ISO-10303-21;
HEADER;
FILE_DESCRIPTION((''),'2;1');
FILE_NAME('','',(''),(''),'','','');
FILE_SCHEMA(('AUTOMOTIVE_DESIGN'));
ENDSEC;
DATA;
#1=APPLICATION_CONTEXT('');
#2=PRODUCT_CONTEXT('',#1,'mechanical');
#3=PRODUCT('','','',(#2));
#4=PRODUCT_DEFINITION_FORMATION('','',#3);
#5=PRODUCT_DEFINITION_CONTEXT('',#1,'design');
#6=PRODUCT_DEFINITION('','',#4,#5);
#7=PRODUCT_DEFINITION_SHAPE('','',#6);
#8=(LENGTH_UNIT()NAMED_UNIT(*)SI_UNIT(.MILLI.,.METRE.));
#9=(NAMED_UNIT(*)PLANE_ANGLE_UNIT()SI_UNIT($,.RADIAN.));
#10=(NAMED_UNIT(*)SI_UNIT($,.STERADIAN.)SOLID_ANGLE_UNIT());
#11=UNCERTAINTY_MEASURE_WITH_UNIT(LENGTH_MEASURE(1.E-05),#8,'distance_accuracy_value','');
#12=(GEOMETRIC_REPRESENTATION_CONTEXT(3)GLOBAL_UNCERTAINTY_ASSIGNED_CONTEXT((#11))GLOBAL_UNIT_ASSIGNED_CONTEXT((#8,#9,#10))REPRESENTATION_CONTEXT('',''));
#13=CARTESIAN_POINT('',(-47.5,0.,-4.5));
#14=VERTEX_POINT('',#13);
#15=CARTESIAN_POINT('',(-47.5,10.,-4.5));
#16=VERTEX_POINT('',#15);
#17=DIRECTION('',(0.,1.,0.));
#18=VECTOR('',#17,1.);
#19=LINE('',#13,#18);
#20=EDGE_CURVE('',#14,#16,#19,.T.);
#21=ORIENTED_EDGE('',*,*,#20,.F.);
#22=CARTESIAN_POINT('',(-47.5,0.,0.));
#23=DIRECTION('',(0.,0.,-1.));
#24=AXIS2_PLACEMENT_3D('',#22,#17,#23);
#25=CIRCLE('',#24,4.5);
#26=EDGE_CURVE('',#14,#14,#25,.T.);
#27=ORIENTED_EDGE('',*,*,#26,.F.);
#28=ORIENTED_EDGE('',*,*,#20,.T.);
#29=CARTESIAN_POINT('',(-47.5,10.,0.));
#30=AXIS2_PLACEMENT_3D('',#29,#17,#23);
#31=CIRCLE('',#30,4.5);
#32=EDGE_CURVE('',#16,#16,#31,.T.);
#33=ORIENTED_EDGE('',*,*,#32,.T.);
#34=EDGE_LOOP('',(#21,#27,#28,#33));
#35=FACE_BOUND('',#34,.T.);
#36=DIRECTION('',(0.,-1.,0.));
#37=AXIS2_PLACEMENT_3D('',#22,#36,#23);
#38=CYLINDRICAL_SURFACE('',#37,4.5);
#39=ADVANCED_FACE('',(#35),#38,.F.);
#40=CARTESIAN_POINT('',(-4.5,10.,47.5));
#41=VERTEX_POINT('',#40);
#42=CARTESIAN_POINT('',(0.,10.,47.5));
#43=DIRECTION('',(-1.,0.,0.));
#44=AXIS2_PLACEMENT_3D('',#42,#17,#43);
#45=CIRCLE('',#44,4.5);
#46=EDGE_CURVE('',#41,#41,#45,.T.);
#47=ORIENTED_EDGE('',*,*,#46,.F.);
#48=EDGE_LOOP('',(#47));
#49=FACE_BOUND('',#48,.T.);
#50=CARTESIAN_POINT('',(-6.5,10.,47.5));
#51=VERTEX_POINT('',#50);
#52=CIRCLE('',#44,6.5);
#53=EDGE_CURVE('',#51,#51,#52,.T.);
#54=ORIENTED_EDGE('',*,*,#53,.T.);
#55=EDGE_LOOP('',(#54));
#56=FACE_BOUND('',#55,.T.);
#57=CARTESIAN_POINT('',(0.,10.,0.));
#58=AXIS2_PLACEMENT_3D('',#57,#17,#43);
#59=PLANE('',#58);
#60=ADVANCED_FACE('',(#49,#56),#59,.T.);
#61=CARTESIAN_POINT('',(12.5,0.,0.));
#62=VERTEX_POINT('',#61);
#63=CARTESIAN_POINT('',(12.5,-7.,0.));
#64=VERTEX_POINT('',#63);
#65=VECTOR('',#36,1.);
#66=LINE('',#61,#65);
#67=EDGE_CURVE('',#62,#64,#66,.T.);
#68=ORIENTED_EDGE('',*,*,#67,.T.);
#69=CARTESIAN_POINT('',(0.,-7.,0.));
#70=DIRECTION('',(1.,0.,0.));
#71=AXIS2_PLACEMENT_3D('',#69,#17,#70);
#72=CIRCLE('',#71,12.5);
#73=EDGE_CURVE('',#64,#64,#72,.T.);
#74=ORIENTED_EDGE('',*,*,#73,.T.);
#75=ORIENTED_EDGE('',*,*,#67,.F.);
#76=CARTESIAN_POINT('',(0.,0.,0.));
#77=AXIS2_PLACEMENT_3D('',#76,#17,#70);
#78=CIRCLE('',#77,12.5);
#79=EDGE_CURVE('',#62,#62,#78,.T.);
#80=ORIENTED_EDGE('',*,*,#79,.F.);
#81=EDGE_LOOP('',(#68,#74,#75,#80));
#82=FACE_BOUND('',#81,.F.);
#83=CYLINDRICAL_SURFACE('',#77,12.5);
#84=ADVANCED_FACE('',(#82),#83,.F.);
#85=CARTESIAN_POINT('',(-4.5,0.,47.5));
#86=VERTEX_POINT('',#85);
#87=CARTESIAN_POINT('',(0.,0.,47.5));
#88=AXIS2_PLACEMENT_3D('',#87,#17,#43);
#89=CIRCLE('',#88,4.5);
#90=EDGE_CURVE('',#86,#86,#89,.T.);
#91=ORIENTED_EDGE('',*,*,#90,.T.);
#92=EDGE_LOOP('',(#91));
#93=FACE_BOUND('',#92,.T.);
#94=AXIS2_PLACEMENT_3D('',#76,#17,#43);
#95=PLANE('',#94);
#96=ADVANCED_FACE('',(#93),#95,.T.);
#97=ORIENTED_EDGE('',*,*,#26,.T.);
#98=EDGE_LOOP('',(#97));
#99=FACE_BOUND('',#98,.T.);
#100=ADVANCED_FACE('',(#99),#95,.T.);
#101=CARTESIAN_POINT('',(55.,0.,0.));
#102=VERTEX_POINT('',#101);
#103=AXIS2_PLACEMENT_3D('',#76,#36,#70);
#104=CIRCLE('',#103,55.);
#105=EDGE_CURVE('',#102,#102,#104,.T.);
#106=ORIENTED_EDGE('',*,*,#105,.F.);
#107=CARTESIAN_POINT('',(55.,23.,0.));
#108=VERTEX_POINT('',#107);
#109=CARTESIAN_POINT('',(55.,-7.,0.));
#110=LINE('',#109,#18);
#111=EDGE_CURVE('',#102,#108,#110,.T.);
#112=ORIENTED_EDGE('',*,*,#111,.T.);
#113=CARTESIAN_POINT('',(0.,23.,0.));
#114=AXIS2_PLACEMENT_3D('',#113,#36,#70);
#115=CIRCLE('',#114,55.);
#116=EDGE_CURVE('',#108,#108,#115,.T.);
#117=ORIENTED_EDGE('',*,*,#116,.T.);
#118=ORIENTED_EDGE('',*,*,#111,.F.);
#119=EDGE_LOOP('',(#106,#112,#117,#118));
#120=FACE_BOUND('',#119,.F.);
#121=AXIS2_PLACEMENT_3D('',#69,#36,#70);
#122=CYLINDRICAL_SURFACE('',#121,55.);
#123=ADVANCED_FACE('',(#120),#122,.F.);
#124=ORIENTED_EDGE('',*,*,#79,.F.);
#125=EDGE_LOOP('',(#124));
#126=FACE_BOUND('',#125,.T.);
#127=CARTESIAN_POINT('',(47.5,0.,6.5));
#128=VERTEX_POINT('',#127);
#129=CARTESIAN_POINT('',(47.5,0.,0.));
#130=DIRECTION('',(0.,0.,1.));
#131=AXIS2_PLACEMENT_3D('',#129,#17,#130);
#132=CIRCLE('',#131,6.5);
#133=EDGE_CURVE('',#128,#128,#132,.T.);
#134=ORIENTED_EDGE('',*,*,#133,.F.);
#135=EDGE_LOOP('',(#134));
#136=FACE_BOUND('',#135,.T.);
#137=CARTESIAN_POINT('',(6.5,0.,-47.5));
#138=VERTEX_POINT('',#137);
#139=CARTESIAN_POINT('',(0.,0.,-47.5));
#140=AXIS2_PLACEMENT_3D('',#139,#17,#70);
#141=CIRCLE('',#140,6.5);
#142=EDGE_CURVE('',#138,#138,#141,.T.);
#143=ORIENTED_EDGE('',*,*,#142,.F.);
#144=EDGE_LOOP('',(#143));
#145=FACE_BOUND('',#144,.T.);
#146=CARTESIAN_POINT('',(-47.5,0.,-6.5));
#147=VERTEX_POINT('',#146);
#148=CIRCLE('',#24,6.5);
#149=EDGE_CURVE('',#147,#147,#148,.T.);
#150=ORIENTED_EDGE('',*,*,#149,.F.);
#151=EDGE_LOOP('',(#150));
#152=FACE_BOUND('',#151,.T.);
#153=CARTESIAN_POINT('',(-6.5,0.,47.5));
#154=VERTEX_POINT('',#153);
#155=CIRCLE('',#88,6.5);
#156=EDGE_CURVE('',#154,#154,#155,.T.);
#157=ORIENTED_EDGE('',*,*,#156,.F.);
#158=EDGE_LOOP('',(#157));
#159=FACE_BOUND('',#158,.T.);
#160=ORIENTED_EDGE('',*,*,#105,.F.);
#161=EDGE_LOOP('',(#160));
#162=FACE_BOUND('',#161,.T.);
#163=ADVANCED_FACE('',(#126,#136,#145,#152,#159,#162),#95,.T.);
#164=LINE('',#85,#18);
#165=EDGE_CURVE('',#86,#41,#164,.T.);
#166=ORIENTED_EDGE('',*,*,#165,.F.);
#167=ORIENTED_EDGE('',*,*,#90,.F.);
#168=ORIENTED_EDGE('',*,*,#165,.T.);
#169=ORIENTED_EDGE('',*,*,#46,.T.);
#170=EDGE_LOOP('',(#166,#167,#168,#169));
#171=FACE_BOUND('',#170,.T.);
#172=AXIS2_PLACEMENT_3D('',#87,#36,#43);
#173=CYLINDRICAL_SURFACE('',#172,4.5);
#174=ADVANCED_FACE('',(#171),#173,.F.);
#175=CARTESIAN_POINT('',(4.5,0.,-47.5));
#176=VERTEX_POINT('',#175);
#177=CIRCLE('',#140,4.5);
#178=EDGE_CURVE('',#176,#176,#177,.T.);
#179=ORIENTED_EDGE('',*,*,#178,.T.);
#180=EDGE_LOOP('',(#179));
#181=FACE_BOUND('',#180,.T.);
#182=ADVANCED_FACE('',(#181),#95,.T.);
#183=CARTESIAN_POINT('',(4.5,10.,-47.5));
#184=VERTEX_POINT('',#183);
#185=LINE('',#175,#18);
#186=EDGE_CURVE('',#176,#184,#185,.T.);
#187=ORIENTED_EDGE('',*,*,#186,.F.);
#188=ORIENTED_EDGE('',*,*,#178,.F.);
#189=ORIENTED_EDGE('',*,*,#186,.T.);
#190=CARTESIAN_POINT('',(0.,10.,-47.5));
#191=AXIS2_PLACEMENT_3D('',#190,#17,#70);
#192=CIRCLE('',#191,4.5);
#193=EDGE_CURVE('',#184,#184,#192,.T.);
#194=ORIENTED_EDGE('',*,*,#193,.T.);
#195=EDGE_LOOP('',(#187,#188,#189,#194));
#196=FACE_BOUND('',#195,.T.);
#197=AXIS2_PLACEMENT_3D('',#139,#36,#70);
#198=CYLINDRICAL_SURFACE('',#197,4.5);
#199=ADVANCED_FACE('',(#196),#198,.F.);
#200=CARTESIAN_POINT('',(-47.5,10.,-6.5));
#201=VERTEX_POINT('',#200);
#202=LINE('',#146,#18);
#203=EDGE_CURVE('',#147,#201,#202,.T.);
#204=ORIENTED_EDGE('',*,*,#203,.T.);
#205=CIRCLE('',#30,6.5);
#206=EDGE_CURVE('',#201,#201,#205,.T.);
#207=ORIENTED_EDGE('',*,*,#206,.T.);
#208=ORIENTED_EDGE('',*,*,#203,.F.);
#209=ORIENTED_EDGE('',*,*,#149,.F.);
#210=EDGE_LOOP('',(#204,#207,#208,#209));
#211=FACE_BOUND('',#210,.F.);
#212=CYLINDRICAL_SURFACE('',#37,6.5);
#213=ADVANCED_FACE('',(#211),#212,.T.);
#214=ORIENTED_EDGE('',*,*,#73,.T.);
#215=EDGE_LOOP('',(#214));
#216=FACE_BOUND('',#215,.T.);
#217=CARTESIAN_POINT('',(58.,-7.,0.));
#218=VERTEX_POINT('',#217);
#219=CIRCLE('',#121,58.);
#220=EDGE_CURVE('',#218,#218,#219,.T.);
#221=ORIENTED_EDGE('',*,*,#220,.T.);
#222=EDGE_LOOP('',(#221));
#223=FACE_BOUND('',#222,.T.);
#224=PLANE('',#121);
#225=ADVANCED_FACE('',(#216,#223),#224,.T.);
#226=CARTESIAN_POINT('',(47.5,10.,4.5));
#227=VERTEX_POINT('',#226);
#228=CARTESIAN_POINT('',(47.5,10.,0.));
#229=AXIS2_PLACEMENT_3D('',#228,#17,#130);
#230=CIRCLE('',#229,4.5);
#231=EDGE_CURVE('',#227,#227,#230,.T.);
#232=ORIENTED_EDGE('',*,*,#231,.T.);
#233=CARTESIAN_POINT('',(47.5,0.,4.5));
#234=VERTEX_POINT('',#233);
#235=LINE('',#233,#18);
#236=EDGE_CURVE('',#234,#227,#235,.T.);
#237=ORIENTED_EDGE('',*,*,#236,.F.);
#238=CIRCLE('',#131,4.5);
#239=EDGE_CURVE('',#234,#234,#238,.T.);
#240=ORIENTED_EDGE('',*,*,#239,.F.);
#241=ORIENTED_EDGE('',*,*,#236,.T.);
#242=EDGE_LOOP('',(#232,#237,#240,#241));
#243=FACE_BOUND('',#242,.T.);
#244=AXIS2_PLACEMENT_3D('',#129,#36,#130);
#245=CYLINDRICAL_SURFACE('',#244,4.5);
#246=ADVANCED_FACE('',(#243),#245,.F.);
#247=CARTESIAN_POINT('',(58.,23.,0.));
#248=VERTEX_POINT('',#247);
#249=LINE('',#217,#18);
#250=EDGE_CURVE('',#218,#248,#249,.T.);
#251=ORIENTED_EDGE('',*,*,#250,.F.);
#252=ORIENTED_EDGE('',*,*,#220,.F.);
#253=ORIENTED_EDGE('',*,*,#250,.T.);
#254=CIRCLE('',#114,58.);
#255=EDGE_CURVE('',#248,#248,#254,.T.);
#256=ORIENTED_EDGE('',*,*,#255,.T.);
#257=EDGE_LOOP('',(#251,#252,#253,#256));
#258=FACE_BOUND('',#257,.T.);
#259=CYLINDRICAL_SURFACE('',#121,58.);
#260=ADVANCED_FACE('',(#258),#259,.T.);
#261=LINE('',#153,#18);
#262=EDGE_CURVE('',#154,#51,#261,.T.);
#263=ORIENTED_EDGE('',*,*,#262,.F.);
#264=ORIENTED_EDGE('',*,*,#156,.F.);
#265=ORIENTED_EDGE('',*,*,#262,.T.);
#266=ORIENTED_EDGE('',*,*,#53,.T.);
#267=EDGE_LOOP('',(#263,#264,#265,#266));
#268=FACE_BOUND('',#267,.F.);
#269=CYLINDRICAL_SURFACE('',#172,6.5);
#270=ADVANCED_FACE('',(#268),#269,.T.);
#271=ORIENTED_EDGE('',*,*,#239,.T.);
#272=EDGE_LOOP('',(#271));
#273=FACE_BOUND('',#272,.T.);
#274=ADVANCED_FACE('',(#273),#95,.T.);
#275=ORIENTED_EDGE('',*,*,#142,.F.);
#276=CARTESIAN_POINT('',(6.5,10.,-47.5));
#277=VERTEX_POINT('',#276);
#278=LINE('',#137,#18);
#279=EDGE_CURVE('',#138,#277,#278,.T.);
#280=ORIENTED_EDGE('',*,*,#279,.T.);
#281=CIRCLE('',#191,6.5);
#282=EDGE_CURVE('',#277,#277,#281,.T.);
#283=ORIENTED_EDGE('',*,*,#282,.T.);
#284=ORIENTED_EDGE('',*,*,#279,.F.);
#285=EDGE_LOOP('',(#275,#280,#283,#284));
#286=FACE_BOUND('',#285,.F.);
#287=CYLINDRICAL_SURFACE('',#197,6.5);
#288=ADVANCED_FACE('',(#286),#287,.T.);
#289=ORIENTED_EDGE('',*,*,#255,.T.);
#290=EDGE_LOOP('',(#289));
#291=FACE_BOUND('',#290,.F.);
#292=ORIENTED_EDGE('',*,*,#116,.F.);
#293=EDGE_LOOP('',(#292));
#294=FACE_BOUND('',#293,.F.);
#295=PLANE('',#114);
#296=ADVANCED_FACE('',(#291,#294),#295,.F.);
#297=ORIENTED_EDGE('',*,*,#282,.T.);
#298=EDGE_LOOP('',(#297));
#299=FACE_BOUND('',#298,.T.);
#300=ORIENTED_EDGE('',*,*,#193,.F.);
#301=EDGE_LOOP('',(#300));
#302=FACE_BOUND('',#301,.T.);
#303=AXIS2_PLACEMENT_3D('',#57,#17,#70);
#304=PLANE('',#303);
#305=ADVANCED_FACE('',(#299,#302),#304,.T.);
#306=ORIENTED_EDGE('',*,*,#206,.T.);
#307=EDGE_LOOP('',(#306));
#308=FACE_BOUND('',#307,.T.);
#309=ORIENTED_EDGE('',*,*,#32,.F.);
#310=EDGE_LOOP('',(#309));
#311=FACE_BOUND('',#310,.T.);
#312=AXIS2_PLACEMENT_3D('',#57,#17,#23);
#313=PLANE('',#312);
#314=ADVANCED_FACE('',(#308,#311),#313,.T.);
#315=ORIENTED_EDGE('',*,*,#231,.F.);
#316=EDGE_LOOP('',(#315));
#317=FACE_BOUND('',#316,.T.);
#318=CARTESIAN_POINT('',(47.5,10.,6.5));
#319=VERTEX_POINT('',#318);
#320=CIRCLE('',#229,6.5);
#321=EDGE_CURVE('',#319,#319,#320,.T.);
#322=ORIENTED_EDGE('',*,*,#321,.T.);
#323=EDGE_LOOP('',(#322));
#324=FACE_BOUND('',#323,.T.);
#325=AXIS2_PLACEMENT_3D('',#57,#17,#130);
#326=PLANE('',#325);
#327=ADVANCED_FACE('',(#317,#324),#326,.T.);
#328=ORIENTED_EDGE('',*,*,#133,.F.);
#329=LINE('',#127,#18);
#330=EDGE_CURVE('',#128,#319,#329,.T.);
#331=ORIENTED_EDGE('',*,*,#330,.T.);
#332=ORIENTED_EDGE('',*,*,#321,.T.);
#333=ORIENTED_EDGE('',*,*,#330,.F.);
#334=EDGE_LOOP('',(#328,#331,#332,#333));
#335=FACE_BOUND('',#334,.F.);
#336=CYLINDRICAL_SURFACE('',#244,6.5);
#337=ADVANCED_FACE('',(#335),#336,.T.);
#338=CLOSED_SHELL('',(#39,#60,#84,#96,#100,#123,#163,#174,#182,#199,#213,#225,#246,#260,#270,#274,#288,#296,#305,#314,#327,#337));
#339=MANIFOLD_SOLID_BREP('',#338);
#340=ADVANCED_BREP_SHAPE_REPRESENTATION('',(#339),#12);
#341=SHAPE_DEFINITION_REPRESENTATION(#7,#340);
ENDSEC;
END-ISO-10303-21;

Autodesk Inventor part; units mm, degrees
ref_plane "YZ Plane" through (0, 0, 0) normal (1, 0, 0) x (0, 1, 0)
ref_plane "XZ Plane" through (0, 0, 0) normal (0, 1, 0) x (-1, 0, 0)
ref_plane "XY Plane" through (0, 0, 0) normal (0, 0, 1) x (1, 0, 0)
sketch "Sketch1" plane through (0, 0, 0) normal (0, 1, 0) x (-1, 0, 0)
  circle A0 centre (0, 0) radius 55
  dimension "d4" = 110
sketch "Sketch2" plane through (0, 0, 0) normal (0, 1, 0) x (-1, 0, 0)
  circle A0 centre (0, 0) radius 40 construction
  circle A1 centre (0, 0) radius 47.5 construction
  circle A2 centre (0, 47.5) radius 4.5
  circle A3 centre (0, 47.5) radius 6.5
  dimension "d11" = 95
  dimension "d10" = 80
  dimension "d12" = 9
  dimension "d13" = 13
extrude "Extrusion1" add sketch "Sketch1" against normal blind 7
extrude "Extrusion2" add sketch "Sketch2" along normal blind 10
pattern_circular "Circular Pattern1" count 4 over 360 about axis through (0, -10, 0) along (0, 1, 0) of "Extrusion2"
sketch "Sketch3" plane through (0, -7, 0) normal (0, -1, 0) x (1, 0, 0)
  circle A0 centre (0, 0) radius 55
  circle A1 centre (0, 0) radius 55 projected
  circle A2 centre (0, 0) radius 58
  dimension "d21" = 116
extrude "Extrusion3" add sketch "Sketch3" against normal blind 30
sketch "Sketch4" plane through (0, 0, 0) normal (0, 1, 0) x (1, 0, 0)
  circle A0 centre (0, 0) radius 12.5
  dimension "d24" = 25
extrude "Extrusion4" cut sketch "Sketch4" against normal blind 30
properties part number "BaseHumedadDireccion"
